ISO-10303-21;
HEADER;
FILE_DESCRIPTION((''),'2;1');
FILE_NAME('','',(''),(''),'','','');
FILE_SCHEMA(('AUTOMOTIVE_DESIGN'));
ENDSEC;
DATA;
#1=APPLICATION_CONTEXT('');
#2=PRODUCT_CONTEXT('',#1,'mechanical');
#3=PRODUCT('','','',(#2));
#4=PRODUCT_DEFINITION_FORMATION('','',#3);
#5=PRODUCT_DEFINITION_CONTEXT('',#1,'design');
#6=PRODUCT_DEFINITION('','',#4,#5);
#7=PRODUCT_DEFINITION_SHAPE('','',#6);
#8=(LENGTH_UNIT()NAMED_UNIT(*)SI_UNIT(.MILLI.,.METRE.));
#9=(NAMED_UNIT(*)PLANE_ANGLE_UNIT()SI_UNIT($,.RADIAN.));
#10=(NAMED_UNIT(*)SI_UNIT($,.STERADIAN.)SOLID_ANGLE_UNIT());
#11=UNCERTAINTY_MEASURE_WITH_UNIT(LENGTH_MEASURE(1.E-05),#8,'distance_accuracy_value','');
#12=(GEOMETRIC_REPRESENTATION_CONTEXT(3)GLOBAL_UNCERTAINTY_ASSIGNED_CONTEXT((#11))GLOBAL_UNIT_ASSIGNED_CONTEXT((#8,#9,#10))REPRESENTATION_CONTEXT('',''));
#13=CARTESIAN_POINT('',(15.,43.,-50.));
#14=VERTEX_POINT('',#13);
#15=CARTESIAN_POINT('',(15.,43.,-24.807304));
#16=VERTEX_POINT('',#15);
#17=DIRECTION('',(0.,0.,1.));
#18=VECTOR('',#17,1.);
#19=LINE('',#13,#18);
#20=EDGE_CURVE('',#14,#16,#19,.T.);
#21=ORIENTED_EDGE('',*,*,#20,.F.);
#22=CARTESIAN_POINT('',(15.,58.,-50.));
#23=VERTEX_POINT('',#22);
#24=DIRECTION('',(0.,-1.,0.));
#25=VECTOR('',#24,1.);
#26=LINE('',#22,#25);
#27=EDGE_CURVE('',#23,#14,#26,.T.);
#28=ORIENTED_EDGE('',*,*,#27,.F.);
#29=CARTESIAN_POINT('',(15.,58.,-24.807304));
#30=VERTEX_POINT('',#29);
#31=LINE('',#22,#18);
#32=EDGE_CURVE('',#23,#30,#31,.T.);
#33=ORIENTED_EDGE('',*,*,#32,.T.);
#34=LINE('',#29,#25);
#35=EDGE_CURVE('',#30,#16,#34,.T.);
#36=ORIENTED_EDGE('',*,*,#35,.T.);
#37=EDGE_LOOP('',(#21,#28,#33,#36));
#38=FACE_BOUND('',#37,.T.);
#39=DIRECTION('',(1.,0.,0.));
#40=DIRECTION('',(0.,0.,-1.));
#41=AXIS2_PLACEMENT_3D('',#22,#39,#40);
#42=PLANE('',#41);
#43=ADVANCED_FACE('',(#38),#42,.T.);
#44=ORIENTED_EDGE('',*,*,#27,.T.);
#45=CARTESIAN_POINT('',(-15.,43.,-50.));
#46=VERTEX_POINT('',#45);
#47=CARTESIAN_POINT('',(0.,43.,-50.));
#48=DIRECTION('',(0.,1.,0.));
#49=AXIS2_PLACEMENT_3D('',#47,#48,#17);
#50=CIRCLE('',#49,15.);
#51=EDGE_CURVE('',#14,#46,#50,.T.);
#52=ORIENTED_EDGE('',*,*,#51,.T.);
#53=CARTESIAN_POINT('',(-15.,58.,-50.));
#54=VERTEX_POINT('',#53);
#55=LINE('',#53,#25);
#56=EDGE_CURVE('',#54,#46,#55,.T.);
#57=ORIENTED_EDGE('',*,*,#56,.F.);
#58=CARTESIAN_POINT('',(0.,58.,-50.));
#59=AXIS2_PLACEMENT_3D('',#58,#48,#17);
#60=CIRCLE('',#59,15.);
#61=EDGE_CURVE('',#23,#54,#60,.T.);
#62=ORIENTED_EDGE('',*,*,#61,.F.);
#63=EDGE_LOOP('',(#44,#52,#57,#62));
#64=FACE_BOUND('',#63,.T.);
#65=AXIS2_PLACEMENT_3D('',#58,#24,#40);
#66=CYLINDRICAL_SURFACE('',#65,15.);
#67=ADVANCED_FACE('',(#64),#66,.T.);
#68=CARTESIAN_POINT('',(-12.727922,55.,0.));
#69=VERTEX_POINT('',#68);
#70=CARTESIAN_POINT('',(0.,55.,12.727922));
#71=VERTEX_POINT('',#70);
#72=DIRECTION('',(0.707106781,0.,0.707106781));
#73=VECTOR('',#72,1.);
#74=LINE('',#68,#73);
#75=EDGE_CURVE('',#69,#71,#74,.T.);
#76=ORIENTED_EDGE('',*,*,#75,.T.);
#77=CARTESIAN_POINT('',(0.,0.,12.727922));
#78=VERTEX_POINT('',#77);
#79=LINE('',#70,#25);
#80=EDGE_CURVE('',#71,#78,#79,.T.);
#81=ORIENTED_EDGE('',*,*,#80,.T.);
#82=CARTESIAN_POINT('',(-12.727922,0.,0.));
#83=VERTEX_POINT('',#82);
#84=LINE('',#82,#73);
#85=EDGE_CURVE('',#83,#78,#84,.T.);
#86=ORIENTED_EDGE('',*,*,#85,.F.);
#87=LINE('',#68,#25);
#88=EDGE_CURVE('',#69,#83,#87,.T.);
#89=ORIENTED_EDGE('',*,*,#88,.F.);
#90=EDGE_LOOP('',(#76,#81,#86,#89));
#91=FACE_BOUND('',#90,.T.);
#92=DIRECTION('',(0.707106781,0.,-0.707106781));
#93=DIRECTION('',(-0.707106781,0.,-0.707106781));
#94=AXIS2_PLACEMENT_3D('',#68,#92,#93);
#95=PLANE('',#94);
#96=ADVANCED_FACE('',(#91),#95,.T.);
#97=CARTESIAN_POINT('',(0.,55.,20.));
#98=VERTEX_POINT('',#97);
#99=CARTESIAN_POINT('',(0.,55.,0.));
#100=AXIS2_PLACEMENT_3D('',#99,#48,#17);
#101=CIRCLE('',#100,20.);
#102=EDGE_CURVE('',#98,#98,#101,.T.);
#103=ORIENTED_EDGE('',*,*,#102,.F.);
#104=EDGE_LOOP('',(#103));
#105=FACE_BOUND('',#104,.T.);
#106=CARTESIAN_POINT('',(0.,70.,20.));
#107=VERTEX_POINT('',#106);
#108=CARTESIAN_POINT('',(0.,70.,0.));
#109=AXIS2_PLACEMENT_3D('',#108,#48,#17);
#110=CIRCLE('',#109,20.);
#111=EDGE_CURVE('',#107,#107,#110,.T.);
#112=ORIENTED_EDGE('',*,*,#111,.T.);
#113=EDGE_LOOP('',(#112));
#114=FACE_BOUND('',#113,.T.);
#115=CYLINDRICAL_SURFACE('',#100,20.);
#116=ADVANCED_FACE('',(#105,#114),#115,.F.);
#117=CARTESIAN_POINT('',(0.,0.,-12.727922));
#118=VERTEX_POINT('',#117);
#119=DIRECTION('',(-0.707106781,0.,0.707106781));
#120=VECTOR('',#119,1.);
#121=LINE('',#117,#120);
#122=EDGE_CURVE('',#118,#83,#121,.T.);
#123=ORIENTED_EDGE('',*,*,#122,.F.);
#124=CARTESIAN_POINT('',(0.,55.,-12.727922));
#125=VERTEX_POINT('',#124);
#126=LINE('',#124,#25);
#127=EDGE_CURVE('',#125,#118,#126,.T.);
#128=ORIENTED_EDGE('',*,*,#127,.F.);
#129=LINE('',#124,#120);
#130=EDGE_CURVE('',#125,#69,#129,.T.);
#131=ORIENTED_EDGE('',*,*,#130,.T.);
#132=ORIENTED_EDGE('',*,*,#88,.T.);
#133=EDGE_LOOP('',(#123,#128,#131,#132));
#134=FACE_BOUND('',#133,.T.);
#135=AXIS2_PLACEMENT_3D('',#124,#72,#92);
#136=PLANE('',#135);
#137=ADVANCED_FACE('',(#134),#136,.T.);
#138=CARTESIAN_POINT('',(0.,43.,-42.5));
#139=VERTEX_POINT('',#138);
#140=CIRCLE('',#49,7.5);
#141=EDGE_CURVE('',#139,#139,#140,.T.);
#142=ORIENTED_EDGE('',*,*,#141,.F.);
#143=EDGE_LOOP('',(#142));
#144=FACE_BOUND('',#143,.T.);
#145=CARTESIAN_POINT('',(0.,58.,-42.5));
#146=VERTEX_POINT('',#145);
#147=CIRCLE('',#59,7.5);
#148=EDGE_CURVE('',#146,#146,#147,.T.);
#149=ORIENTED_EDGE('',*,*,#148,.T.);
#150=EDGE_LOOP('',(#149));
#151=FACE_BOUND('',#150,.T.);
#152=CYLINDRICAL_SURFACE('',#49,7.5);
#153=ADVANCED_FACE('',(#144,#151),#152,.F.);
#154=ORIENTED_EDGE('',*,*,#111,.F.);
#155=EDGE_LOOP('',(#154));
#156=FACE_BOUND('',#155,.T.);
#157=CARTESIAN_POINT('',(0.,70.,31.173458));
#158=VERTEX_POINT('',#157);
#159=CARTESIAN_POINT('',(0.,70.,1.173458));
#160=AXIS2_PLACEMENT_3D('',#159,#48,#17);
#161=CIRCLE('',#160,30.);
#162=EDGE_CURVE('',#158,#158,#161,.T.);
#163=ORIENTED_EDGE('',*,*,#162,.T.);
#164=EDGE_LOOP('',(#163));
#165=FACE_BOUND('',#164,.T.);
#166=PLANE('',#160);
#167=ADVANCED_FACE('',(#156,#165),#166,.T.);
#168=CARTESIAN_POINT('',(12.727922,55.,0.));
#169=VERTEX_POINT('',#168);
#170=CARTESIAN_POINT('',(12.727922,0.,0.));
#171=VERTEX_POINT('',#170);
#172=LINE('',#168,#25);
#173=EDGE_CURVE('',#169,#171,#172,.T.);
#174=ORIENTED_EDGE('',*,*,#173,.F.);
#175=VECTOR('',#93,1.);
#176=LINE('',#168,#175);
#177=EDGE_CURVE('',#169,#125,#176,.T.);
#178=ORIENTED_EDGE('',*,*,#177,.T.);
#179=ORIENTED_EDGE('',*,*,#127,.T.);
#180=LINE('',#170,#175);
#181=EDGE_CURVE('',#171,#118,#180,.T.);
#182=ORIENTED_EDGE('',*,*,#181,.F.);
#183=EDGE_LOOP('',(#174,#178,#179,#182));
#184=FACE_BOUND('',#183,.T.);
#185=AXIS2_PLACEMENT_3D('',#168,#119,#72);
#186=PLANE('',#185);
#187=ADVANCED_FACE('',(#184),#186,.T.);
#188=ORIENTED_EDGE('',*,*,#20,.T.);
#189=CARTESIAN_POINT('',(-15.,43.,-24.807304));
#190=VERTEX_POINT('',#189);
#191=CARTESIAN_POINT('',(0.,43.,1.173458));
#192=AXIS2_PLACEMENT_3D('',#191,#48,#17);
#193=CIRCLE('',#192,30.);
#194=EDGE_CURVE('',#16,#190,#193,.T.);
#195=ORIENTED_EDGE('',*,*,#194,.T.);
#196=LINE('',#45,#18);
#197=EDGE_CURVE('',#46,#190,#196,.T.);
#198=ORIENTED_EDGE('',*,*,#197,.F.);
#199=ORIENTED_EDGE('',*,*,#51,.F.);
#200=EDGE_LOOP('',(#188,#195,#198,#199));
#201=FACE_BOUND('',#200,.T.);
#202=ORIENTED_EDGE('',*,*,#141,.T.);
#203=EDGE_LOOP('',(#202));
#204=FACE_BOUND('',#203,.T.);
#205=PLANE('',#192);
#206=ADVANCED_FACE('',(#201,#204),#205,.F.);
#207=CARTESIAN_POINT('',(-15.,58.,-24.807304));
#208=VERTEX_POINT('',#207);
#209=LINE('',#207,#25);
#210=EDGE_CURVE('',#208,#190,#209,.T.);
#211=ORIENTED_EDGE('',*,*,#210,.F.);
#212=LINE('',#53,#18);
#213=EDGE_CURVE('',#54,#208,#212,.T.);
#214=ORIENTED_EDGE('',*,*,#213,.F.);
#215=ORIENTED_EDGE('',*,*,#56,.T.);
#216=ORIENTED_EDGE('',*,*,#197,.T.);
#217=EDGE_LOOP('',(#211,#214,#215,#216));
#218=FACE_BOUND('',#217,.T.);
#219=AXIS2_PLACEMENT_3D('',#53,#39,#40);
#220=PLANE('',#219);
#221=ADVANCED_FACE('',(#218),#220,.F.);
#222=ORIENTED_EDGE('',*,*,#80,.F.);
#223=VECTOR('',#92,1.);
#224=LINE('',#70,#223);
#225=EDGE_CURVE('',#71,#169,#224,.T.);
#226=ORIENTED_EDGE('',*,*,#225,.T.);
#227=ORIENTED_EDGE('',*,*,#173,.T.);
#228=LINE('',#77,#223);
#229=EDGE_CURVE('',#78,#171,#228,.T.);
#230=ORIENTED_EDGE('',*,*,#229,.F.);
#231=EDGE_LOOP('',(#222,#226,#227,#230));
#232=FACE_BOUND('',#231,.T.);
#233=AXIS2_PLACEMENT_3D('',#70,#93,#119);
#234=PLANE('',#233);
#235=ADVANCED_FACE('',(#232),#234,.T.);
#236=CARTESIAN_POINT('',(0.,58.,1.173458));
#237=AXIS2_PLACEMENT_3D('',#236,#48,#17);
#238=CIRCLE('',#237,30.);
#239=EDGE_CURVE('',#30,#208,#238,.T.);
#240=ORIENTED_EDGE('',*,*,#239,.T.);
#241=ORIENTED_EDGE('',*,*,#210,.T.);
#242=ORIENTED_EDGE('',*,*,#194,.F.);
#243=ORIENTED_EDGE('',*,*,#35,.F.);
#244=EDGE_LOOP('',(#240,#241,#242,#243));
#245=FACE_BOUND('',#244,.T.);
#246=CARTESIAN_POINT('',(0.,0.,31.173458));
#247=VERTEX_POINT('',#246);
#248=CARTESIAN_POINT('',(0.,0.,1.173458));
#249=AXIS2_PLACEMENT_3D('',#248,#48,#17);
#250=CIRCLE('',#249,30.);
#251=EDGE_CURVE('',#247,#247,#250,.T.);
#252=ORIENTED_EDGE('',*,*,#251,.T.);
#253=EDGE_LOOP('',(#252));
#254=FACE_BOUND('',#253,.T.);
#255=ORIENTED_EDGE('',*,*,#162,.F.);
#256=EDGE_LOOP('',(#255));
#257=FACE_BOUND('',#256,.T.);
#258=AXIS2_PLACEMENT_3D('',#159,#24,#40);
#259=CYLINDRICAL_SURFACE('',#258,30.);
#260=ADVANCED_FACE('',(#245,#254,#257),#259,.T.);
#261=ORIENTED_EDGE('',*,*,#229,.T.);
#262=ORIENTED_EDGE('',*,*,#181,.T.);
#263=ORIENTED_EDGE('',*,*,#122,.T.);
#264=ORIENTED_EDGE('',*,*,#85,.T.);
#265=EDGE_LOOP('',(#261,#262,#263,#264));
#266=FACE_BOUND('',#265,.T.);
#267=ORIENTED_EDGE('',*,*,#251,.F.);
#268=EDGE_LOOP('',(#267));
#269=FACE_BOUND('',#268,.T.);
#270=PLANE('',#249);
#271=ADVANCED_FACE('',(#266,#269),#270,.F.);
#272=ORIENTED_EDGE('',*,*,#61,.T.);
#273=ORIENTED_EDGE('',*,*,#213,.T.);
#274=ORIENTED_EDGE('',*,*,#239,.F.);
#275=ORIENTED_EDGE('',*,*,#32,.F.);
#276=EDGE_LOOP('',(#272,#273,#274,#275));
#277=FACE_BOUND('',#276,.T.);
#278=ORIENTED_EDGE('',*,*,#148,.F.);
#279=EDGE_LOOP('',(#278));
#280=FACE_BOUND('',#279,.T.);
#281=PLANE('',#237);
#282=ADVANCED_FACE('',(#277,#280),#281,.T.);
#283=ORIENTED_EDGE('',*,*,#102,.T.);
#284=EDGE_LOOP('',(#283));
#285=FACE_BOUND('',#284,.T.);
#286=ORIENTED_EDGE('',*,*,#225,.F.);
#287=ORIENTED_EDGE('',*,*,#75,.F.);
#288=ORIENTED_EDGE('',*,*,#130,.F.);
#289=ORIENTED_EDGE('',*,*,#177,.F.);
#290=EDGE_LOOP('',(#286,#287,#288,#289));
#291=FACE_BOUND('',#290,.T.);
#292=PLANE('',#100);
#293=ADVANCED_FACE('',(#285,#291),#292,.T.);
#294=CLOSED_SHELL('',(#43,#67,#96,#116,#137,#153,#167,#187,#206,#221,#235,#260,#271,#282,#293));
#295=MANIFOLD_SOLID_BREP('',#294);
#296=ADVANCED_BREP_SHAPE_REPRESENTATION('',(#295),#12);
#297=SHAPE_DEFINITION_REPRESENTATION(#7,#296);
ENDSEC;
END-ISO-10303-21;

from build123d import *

# Parameters (mm, degrees)
SKETCH_2_R          = 30
EXTRUDE_1_DEPTH     = 70
SKETCH_3_R          = 20
CUT_EXTRUDE_2_DEPTH = 15
CUT_EXTRUDE_3_DEPTH = 55
EXTRUDE_START       = 43
EXTRUDE_2_DEPTH     = 15
SKETCH_7_R          = 7.5
CUT_EXTRUDE_4_DEPTH = 15


with BuildPart() as part:
    # 草图2 → 凸台-拉伸1 (new body)
    with BuildSketch(Plane(origin=(0, 0, 0), x_dir=(1, 0, 0), z_dir=(0, 1, 0))):
        with Locations(Location((0, -1.173457716, 0), (0, 0, 270))):
            Circle(SKETCH_2_R)
    extrude(amount=EXTRUDE_1_DEPTH)

    # 草图3 → 切除-拉伸2 (cut)
    with BuildSketch(Plane(origin=(0, 70, 0), x_dir=(1, 0, 0), z_dir=(0, 1, 0))):
        with Locations(Location((0, 0, 0), (0, 0, 270))):
            Circle(SKETCH_3_R)
    extrude(amount=-CUT_EXTRUDE_2_DEPTH, mode=Mode.SUBTRACT)

    # 草图5 → 切除-拉伸3 (cut)
    with BuildSketch(Plane.XZ):
        Polygon((0, 12.727922061), (12.727922061, 0), (0, -12.727922061), (-12.727922061, 0), align=None)
    extrude(amount=-CUT_EXTRUDE_3_DEPTH, mode=Mode.SUBTRACT)

    # 草图6 → 凸台-拉伸2 (add)
    with BuildSketch(Plane(origin=(0, 0, 0), x_dir=(1, 0, 0), z_dir=(0, 1, 0)).offset(EXTRUDE_START)):
        with BuildLine():
            Line((-15, 50), (-15, 24.807304398))
            ThreePointArc((-15, 24.807304398), (0, 28.826542284), (15, 24.807304398))
            Line((15, 24.807304398), (15, 50))
            ThreePointArc((15, 50), (0, 65), (-15, 50))
        make_face()
    extrude(amount=EXTRUDE_2_DEPTH)

    # 草图7 → 切除-拉伸4 (cut)
    with BuildSketch(Plane(origin=(0, 58, 0), x_dir=(1, 0, 0), z_dir=(0, 1, 0))):
        with Locations(Location((0, 50, 0), (0, 0, 270))):
            Circle(SKETCH_7_R)
    extrude(amount=-CUT_EXTRUDE_4_DEPTH, mode=Mode.SUBTRACT)


solid = part.part
